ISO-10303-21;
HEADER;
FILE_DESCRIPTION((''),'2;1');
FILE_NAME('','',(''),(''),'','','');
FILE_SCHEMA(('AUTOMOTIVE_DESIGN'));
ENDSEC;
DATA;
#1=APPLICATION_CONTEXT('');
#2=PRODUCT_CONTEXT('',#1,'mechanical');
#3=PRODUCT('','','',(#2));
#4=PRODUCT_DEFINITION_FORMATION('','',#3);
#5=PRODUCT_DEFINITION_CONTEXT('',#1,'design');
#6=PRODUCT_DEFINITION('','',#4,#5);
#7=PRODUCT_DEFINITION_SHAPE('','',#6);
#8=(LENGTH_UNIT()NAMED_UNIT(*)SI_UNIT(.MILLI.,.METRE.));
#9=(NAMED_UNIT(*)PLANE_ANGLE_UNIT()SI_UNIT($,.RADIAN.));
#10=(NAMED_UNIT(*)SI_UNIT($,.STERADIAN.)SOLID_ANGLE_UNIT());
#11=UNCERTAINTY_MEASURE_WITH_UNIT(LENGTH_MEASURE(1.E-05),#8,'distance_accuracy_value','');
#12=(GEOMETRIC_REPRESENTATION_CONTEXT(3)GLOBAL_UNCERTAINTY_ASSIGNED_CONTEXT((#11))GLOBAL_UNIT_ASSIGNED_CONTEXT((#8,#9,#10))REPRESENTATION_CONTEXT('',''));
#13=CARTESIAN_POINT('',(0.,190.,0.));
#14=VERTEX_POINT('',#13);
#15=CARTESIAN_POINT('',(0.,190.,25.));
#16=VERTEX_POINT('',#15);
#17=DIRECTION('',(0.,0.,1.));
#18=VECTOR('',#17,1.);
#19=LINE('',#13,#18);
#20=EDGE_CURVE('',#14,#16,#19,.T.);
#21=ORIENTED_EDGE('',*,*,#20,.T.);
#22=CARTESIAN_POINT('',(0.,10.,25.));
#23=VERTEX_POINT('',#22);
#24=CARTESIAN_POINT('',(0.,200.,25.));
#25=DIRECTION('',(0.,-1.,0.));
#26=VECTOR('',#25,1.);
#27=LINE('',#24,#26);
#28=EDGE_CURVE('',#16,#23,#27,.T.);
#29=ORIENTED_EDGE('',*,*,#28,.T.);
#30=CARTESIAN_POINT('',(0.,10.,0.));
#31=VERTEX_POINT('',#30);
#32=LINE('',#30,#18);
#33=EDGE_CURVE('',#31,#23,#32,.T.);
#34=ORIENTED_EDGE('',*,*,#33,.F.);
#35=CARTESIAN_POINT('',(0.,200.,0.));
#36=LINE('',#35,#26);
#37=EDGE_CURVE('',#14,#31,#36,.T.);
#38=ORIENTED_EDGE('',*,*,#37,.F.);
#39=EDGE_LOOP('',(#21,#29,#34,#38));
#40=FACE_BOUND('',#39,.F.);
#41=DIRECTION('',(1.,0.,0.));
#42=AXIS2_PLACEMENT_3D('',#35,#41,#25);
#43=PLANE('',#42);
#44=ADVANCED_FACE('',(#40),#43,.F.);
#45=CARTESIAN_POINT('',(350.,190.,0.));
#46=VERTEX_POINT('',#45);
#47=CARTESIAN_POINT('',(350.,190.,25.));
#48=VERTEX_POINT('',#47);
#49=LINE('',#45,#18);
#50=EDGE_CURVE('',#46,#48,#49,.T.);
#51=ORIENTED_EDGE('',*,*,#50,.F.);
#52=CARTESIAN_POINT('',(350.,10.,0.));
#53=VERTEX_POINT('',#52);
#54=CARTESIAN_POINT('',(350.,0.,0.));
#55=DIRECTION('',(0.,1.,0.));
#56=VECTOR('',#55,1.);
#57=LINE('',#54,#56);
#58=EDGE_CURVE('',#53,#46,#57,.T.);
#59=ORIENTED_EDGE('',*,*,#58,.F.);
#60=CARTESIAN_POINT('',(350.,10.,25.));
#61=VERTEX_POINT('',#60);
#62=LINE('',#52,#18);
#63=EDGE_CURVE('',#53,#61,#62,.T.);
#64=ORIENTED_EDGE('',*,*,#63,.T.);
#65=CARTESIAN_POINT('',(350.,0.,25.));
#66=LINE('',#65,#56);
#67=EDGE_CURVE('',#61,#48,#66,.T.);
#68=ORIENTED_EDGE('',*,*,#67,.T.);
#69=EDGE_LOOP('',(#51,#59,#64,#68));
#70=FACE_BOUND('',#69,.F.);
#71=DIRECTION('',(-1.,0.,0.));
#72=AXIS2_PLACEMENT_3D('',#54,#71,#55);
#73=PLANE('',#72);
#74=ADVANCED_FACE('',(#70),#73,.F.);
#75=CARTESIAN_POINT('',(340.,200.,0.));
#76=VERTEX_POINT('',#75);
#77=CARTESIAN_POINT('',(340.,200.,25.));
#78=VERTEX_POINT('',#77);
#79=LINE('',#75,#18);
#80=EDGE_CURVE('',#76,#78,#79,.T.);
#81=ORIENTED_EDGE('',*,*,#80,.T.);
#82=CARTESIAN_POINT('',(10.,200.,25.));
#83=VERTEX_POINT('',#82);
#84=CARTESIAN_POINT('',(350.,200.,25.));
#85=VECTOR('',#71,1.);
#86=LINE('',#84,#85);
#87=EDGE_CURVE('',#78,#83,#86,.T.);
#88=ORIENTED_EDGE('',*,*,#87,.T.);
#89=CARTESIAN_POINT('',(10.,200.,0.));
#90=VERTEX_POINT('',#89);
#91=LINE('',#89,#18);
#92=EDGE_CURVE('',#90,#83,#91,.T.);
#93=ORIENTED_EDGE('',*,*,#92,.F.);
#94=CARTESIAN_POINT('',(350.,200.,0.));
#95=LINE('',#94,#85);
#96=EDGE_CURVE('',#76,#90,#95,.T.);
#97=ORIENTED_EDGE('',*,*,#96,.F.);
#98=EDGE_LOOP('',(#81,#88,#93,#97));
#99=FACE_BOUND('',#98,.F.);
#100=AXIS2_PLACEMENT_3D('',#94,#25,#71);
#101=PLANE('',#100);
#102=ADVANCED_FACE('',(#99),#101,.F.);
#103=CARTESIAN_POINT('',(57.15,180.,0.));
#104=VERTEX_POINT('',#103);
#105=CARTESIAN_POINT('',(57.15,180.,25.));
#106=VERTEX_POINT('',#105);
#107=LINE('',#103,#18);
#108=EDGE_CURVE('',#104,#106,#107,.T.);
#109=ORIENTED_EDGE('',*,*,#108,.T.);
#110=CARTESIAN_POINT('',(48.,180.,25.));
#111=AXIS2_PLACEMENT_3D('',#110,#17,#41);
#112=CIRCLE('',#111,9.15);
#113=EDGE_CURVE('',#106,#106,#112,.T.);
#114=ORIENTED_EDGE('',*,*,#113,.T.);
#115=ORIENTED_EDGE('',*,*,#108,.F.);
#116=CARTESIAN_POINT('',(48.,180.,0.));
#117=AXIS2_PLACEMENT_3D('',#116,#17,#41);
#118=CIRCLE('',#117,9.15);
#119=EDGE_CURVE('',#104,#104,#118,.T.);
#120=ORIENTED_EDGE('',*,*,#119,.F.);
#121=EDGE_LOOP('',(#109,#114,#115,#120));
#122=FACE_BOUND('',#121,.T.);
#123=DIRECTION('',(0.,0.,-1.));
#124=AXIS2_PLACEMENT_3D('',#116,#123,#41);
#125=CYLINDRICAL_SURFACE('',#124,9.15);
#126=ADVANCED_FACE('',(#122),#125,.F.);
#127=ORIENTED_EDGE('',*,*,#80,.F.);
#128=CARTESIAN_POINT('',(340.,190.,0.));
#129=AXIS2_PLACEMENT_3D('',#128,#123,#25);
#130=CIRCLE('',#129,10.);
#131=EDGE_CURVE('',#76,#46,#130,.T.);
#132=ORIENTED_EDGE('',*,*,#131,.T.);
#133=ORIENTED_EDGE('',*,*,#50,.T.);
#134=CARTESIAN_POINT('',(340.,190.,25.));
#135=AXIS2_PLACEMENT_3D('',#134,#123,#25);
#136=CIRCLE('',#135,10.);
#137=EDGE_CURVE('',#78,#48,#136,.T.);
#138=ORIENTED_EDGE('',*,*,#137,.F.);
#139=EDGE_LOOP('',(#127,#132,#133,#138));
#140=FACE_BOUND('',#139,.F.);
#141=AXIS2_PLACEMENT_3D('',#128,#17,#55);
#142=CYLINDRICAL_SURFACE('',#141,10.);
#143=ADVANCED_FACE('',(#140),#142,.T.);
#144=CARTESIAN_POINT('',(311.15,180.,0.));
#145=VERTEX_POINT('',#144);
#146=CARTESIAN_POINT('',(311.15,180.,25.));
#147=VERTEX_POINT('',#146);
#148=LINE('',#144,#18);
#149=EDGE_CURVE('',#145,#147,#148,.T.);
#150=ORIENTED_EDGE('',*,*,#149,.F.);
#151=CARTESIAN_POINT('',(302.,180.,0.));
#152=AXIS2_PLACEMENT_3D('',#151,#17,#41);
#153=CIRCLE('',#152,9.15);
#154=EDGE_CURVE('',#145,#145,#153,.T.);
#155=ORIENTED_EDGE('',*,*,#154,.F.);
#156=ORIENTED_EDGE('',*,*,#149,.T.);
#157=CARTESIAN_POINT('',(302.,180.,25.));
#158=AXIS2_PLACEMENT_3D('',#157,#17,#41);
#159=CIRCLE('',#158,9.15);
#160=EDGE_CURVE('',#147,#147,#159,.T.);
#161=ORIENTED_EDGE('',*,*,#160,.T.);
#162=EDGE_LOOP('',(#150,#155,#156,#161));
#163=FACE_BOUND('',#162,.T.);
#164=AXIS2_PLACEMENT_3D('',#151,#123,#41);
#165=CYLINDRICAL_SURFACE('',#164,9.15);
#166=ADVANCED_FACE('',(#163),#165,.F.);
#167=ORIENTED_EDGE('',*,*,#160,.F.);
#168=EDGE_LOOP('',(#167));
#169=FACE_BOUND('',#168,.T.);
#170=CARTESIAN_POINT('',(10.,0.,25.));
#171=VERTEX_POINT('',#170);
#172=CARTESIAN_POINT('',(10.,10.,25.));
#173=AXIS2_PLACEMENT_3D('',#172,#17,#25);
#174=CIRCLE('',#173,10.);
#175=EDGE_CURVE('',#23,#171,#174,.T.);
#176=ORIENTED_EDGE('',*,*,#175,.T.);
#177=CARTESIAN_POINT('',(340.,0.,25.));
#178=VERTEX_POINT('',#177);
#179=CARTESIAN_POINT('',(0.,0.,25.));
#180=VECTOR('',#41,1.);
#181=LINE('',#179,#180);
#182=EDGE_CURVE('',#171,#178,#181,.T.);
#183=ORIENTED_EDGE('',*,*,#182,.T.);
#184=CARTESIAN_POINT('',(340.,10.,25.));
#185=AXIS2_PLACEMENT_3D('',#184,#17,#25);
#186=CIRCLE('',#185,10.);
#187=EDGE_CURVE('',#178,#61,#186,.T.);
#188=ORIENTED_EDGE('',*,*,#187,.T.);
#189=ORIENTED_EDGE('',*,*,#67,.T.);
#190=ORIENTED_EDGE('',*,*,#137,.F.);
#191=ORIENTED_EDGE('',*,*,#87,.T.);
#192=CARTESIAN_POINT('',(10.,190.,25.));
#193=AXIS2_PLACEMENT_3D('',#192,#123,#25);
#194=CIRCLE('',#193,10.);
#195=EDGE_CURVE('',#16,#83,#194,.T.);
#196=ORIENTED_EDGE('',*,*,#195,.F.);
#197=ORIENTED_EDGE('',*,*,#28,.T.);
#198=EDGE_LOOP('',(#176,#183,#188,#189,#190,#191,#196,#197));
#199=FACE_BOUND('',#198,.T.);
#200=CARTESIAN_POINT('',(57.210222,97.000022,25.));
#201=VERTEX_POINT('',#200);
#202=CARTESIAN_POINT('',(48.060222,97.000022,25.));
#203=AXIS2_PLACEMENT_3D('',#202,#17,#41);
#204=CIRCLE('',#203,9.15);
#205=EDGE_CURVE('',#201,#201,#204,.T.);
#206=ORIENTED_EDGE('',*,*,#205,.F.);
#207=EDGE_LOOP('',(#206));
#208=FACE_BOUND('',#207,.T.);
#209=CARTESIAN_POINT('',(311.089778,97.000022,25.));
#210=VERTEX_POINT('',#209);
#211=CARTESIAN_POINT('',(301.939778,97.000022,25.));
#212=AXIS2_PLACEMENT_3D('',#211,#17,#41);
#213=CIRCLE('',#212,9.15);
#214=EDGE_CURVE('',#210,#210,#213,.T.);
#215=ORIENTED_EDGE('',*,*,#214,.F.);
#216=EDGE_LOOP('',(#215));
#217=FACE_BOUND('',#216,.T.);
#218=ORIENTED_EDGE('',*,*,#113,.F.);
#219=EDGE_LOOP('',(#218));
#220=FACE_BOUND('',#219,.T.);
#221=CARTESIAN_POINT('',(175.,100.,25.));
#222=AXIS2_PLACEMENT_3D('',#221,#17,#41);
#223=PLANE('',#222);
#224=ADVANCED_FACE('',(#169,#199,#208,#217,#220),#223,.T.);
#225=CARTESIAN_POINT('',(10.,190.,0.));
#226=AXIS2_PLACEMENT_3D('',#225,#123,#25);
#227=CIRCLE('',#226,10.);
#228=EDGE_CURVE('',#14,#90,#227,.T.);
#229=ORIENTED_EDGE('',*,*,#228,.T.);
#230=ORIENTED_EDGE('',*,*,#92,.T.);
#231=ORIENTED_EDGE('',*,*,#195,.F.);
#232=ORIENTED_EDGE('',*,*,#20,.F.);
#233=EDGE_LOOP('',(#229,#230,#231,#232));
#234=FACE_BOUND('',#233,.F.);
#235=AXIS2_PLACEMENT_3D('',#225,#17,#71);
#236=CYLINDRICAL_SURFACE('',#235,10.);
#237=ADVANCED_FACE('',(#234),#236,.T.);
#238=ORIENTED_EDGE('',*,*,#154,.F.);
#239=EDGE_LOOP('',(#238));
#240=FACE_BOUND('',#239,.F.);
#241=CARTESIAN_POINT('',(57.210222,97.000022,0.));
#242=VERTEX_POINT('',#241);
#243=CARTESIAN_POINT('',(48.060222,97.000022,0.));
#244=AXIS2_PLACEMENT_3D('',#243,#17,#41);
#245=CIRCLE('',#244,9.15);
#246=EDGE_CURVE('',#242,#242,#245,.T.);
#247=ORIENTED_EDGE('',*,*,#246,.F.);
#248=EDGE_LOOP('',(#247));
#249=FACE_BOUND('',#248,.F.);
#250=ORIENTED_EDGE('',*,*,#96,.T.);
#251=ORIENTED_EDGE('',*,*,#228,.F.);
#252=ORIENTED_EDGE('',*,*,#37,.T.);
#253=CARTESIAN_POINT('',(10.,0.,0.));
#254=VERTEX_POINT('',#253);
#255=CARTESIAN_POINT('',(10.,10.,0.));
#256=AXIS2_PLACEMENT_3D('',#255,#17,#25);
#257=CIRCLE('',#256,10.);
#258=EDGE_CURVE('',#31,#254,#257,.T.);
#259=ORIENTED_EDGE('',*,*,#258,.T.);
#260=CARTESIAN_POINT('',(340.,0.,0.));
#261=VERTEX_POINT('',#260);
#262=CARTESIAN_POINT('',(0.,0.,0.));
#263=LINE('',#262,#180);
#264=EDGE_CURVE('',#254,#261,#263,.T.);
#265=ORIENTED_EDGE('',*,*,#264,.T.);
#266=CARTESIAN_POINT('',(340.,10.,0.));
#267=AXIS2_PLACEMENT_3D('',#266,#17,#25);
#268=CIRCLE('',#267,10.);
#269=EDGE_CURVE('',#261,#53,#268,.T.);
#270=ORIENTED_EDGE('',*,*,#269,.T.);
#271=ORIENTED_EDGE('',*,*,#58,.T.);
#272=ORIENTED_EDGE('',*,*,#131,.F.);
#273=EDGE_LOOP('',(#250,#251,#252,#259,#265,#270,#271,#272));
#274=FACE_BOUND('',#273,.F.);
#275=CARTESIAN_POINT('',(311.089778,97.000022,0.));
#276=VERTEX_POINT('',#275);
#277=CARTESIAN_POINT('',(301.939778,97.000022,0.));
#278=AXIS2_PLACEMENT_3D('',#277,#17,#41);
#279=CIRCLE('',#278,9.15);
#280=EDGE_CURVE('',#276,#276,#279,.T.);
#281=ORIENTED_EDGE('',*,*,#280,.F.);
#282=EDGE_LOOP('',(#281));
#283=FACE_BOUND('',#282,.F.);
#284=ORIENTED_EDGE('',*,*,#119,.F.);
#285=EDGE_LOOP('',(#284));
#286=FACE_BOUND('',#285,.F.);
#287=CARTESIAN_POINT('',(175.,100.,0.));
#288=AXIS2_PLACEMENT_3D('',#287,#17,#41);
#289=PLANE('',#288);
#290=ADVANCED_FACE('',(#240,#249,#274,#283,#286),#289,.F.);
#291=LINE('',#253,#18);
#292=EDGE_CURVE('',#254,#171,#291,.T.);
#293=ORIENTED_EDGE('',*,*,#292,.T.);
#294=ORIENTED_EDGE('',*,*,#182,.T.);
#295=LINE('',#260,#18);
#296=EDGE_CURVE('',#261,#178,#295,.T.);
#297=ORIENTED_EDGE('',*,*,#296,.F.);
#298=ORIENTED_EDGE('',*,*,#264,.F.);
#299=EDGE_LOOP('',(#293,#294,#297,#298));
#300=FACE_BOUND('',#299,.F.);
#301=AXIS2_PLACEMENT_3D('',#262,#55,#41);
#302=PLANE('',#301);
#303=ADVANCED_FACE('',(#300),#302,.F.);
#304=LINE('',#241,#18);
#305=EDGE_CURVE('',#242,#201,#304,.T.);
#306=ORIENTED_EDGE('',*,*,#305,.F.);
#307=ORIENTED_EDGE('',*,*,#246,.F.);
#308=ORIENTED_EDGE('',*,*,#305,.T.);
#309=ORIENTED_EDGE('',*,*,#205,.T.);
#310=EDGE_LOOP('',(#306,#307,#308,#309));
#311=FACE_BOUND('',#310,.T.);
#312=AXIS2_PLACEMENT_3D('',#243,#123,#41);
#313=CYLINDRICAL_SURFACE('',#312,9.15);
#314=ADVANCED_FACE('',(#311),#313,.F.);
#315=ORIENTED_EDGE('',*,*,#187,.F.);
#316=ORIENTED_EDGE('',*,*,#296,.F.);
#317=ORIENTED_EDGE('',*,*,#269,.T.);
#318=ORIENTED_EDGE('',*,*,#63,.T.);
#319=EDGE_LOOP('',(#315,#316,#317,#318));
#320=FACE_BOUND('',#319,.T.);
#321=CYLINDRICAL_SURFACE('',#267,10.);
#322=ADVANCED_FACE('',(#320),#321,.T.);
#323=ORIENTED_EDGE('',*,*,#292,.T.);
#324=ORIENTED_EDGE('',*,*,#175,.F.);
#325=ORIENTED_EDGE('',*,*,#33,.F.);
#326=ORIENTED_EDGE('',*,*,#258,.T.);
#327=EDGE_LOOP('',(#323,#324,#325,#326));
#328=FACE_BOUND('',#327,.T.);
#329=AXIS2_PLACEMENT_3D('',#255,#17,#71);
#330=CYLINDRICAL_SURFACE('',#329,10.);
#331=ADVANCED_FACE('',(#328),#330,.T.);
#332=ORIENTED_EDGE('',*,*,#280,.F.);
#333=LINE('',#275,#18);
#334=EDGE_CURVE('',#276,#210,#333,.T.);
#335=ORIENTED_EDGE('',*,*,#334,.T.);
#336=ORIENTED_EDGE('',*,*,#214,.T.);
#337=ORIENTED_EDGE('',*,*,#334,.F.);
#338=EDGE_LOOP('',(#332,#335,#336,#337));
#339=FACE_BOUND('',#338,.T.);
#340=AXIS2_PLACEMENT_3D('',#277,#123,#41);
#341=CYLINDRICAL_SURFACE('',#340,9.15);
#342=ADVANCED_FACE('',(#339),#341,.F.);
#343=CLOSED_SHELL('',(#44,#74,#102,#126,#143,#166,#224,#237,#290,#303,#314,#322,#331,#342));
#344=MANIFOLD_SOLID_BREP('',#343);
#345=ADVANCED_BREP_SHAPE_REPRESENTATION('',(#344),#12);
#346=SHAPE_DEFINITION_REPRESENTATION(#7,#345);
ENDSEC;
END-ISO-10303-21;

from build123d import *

# Parameters (mm, degrees)
F0_R     = 9.15
F1_DEPTH = 25
F2_R     = 10


with BuildPart() as f1:
    # F0 (on Top) → F1 (new body)
    with BuildSketch(Plane.XY):
        Polygon((175, 200), (0, 200), (0, 0), (350, 0), (350, 200), align=None)
        with Locations((48.060222, 97.000022)):
            Circle(F0_R, mode=Mode.SUBTRACT)
        with Locations((301.939778, 97.000022)):
            Circle(F0_R, mode=Mode.SUBTRACT)
        with Locations((48, 180)):
            Circle(F0_R, mode=Mode.SUBTRACT)
        with Locations((302, 180)):
            Circle(F0_R, mode=Mode.SUBTRACT)
    extrude(amount=F1_DEPTH)

    # F2
    f2_edges = [f1.edges().sort_by_distance(p)[0] for p in [
        (350, 0, 12.5),
        (350, 200, 12.5),
        (0, 0, 12.5),
        (0, 200, 12.5),
    ]]
    fillet(f2_edges, radius=F2_R)


solid = f1.part
